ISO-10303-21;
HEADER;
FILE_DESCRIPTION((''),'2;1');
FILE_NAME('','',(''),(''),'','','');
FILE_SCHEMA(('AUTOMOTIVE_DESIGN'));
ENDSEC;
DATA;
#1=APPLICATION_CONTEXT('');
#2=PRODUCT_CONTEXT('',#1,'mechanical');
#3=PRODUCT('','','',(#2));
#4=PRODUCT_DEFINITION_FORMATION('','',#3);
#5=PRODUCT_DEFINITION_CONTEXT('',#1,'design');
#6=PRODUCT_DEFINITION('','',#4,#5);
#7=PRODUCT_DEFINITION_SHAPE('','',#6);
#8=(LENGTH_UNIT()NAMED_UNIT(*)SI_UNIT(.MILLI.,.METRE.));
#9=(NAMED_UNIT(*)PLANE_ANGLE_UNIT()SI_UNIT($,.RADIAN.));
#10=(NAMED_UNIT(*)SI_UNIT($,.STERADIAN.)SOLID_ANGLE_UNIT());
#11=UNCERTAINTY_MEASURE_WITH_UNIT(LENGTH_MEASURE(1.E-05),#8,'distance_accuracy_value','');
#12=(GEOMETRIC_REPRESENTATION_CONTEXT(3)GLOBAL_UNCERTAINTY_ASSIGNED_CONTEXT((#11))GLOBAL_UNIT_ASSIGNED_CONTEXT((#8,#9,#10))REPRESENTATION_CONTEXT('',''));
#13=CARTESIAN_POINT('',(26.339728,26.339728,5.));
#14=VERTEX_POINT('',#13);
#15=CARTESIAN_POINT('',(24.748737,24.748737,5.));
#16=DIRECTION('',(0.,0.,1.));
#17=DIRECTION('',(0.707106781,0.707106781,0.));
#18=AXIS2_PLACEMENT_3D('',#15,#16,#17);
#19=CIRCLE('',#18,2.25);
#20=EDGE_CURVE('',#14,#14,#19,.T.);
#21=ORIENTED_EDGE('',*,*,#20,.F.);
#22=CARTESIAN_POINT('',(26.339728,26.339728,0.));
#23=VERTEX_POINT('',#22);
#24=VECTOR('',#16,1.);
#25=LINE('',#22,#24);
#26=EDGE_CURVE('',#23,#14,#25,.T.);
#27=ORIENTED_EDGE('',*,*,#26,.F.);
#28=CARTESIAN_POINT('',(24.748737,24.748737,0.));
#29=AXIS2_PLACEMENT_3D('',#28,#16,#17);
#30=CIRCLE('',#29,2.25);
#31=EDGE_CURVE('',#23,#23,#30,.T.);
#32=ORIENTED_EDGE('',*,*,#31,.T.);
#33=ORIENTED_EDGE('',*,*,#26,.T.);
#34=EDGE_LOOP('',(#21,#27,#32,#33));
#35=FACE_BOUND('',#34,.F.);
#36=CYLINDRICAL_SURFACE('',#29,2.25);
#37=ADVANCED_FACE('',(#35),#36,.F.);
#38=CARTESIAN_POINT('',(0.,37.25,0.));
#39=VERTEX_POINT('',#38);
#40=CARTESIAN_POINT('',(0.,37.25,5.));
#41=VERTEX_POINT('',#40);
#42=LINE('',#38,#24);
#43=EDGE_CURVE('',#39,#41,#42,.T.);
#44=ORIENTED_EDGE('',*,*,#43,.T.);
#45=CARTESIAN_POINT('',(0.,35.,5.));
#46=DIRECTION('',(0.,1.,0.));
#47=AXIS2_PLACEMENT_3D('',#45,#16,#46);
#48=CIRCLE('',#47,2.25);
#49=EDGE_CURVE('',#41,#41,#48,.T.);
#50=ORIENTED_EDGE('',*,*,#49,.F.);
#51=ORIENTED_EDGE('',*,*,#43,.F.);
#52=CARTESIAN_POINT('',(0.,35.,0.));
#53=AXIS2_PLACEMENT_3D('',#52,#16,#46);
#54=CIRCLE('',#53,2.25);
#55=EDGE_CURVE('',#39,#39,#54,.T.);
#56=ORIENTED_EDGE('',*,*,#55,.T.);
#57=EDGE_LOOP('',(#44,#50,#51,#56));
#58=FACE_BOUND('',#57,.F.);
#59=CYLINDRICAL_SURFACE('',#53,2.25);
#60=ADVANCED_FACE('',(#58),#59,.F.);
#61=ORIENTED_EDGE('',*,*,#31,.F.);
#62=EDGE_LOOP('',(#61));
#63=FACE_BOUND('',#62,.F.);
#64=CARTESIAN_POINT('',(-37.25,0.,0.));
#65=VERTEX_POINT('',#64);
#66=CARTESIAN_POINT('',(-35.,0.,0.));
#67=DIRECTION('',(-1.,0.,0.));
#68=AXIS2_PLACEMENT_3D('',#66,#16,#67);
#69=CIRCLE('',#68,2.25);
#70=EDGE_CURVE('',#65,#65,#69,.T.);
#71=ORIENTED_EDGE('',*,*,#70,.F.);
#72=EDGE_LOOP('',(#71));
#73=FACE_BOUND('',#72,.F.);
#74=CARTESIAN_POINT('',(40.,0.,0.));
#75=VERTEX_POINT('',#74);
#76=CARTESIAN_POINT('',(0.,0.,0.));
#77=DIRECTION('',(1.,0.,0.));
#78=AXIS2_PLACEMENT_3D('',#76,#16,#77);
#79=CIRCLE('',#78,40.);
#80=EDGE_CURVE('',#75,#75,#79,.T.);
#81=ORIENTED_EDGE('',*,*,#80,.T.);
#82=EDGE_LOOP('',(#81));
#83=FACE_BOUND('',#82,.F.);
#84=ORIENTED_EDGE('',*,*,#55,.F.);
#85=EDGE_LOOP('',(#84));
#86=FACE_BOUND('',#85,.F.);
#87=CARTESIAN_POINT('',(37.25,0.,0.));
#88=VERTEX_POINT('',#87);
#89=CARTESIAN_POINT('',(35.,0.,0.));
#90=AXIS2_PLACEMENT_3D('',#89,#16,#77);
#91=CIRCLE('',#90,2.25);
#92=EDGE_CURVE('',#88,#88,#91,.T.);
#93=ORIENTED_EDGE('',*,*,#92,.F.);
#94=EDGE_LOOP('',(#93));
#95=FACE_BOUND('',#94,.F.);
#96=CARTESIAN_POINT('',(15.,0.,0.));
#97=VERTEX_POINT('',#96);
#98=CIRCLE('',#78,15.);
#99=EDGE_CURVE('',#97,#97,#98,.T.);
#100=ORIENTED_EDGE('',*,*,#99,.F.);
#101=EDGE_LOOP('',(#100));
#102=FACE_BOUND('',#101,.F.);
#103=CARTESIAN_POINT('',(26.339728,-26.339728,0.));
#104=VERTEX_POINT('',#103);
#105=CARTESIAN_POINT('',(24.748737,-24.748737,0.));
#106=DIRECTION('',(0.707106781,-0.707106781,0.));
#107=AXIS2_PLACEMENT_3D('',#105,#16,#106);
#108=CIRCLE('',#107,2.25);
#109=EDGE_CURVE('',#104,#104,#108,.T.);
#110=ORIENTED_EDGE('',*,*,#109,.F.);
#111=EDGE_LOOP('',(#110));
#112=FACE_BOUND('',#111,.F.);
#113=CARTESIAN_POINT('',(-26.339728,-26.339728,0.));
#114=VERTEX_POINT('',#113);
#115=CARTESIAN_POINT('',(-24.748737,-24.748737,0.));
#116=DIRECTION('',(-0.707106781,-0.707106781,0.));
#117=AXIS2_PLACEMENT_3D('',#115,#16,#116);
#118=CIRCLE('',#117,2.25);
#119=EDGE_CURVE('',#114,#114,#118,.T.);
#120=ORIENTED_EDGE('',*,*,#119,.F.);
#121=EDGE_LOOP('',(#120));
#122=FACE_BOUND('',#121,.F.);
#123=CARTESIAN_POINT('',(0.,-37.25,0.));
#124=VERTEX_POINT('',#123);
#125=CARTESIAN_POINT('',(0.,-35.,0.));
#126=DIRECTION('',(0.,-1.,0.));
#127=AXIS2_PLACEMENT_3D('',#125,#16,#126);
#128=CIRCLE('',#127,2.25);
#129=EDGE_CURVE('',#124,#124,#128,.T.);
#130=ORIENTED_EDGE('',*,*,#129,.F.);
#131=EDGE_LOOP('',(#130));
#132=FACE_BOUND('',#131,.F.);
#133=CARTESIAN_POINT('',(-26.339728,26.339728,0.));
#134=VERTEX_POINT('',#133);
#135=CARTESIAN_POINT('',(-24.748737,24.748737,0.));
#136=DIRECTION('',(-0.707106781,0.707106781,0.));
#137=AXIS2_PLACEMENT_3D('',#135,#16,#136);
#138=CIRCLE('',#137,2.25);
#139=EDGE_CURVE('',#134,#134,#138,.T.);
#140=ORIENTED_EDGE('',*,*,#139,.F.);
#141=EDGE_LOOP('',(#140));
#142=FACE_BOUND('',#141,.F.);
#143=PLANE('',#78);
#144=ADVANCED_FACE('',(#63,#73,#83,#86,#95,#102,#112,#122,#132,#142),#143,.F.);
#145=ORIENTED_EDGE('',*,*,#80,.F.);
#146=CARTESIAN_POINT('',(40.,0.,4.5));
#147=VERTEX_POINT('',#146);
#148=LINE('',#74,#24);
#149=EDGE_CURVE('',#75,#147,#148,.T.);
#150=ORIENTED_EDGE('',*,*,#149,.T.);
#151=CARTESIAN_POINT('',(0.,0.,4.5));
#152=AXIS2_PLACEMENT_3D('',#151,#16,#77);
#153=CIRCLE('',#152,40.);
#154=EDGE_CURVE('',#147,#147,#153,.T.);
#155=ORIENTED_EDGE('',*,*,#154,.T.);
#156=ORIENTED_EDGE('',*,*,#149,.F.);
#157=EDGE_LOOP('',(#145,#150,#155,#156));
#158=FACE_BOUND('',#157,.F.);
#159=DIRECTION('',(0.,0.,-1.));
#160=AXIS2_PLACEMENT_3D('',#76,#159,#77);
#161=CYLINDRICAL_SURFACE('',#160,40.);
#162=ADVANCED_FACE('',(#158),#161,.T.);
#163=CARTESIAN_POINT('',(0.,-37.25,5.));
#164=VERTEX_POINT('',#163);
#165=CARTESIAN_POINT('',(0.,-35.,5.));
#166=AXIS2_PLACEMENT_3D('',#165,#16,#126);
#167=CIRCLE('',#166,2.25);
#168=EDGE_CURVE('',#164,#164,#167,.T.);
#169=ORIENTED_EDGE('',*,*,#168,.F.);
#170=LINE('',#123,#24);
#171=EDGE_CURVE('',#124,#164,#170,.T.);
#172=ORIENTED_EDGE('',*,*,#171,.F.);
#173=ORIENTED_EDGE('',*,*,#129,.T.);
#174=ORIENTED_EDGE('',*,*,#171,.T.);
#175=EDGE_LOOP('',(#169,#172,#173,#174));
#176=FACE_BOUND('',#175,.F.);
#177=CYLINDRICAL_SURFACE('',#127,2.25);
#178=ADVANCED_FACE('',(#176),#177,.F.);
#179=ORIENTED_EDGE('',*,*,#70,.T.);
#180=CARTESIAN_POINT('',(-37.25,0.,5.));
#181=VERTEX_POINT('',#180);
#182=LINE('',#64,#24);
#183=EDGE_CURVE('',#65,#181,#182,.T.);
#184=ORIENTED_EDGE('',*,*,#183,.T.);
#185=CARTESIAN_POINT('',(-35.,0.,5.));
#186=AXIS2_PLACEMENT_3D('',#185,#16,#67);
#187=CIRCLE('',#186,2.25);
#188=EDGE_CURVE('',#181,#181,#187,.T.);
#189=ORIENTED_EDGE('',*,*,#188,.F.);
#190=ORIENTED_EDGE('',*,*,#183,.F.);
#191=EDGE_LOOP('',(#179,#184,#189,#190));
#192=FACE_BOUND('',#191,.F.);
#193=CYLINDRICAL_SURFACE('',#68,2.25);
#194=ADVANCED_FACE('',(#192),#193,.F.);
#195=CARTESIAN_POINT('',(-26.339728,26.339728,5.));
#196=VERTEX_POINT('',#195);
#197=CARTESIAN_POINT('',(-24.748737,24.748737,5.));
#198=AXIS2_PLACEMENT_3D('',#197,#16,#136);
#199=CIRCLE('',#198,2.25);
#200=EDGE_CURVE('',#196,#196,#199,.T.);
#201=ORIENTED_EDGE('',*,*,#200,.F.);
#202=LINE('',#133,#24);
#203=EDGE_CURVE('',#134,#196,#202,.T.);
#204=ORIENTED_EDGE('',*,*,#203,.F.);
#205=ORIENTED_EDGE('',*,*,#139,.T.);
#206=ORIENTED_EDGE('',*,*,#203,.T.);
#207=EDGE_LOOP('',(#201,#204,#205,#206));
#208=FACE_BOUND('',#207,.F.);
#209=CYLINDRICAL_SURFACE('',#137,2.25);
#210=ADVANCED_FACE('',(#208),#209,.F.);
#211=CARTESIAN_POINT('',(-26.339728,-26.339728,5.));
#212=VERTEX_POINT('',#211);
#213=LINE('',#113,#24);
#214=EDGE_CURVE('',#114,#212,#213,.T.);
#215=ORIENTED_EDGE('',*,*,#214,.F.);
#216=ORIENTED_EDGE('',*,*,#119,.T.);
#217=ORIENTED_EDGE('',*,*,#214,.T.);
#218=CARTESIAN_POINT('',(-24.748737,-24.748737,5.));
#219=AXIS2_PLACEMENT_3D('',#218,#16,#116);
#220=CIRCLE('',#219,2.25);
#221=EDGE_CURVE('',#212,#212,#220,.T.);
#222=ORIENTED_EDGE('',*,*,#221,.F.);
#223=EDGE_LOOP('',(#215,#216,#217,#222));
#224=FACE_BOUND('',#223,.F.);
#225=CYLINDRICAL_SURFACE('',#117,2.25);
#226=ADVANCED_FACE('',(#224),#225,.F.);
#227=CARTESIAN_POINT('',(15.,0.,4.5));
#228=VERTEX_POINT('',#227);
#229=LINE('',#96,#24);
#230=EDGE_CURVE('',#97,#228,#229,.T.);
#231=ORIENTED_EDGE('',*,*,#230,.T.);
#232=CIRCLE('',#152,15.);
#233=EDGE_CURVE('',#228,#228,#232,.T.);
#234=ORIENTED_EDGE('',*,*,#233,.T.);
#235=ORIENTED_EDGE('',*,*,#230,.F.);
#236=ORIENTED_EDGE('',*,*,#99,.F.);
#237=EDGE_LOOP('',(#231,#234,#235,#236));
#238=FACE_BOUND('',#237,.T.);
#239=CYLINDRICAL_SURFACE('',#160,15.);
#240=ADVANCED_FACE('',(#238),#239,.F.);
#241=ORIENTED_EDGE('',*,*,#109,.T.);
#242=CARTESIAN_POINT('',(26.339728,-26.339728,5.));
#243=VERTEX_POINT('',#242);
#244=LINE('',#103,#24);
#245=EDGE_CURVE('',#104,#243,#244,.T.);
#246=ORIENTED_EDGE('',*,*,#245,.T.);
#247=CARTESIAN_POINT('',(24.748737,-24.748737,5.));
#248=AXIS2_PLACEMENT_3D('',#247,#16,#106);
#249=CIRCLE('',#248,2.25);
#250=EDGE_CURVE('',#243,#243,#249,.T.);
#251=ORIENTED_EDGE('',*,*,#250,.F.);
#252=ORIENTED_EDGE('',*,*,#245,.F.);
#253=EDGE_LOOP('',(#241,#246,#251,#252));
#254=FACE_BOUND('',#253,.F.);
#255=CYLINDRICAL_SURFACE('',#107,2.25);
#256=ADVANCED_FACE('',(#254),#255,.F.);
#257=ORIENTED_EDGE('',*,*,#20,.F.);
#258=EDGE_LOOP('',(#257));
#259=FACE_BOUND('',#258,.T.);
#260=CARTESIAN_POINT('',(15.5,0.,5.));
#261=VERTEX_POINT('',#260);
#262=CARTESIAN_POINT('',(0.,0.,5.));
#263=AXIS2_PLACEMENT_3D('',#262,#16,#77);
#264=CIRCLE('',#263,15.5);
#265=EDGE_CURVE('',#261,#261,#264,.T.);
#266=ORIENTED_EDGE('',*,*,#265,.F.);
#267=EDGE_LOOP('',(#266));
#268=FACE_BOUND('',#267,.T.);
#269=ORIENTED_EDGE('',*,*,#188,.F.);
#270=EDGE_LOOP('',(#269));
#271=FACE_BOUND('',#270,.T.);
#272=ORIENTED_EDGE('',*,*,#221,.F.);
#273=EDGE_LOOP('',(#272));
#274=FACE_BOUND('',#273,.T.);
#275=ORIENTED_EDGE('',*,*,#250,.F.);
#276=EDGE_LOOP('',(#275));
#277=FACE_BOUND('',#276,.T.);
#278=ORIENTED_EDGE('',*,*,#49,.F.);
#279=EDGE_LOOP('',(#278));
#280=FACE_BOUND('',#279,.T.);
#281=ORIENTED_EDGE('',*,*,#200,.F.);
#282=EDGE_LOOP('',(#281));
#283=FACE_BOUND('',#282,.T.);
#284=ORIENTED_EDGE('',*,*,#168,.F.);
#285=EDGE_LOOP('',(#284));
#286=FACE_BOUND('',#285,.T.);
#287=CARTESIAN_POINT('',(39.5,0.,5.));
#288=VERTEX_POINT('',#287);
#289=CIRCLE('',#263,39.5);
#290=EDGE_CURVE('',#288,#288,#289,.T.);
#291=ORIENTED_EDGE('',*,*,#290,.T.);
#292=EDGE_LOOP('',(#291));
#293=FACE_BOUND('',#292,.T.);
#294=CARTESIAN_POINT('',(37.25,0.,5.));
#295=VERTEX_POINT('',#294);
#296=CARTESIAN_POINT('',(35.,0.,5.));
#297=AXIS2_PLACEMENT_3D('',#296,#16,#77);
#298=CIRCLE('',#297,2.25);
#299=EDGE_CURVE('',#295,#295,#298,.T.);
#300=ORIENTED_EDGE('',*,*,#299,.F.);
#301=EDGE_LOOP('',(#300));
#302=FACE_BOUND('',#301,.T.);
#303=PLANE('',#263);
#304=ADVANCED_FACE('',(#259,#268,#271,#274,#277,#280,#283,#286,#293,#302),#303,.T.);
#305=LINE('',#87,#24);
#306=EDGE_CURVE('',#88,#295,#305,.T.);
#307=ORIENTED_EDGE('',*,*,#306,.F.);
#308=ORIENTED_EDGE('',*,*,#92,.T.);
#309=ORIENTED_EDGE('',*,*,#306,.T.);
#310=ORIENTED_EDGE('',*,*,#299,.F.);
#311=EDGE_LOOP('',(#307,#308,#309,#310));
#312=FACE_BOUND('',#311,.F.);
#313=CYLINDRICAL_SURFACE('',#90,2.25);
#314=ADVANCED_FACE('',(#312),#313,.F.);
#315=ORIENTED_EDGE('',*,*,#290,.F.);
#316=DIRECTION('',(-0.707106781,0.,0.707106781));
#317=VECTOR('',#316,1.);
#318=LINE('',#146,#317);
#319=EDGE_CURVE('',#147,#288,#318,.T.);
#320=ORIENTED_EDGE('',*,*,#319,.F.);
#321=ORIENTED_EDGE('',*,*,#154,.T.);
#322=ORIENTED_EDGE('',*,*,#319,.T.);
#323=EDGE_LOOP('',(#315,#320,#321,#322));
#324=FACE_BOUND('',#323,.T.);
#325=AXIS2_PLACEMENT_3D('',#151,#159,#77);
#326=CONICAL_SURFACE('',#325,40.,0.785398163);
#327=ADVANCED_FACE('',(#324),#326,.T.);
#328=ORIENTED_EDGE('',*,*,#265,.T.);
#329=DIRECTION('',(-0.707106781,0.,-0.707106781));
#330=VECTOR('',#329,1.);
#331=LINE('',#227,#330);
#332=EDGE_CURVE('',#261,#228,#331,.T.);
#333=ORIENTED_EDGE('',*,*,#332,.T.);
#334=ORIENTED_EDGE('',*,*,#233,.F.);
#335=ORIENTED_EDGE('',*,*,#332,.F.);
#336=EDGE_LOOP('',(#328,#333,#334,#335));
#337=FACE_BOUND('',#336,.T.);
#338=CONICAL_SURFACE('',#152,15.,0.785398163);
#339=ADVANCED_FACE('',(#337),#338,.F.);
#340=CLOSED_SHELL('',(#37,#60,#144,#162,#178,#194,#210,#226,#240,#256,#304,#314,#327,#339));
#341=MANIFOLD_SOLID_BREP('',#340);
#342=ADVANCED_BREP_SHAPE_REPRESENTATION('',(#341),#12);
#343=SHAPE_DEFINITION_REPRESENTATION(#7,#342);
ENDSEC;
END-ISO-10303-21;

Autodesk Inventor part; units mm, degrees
ref_plane "YZ Plane" through (0, 0, 0) normal (1, 0, 0) x (0, 1, 0)
ref_plane "XZ Plane" through (0, 0, 0) normal (0, 1, 0) x (-1, 0, 0)
ref_plane "XY Plane" through (0, 0, 0) normal (0, 0, 1) x (1, 0, 0)
sketch "Sketch1" plane through (0, 0, 0) normal (0, 0, 1) x (1, 0, 0)
  circle A0 centre (0, 0) radius 40
  circle A1 centre (0, 0) radius 15
  circle A2 centre (0, 0) radius 35 construction
  line L0 (0, 0) -> (0, 35) construction
  line L1 (0, 0) -> (13.3939, 32.3358) construction
  dimension "d0" = 80
  dimension "d1" = 30
  dimension "d2" = 70
  dimension "d3" = 22.5
extrude "Extrusion1" add sketch "Sketch1" along normal blind 5
hole "Hole1" at (0, 35, 0) direction (0, 0, 1) diameter 4.5 depth 11.8 clearance for "Socket Head Cap Screw ISO 4762" size "M4" standard "ISO"
pattern_circular "Circular Pattern1" count 8 over 360 about axis through (0, 0, -10) along (0, 0, 1) of "Hole1"
chamfer "Chamfer1" distance 0.5 angle 45 2 edges at (-40, 0, 5) (-15, 0, 5)
properties part number "PWTR-0070" material "Stainless Steel"
